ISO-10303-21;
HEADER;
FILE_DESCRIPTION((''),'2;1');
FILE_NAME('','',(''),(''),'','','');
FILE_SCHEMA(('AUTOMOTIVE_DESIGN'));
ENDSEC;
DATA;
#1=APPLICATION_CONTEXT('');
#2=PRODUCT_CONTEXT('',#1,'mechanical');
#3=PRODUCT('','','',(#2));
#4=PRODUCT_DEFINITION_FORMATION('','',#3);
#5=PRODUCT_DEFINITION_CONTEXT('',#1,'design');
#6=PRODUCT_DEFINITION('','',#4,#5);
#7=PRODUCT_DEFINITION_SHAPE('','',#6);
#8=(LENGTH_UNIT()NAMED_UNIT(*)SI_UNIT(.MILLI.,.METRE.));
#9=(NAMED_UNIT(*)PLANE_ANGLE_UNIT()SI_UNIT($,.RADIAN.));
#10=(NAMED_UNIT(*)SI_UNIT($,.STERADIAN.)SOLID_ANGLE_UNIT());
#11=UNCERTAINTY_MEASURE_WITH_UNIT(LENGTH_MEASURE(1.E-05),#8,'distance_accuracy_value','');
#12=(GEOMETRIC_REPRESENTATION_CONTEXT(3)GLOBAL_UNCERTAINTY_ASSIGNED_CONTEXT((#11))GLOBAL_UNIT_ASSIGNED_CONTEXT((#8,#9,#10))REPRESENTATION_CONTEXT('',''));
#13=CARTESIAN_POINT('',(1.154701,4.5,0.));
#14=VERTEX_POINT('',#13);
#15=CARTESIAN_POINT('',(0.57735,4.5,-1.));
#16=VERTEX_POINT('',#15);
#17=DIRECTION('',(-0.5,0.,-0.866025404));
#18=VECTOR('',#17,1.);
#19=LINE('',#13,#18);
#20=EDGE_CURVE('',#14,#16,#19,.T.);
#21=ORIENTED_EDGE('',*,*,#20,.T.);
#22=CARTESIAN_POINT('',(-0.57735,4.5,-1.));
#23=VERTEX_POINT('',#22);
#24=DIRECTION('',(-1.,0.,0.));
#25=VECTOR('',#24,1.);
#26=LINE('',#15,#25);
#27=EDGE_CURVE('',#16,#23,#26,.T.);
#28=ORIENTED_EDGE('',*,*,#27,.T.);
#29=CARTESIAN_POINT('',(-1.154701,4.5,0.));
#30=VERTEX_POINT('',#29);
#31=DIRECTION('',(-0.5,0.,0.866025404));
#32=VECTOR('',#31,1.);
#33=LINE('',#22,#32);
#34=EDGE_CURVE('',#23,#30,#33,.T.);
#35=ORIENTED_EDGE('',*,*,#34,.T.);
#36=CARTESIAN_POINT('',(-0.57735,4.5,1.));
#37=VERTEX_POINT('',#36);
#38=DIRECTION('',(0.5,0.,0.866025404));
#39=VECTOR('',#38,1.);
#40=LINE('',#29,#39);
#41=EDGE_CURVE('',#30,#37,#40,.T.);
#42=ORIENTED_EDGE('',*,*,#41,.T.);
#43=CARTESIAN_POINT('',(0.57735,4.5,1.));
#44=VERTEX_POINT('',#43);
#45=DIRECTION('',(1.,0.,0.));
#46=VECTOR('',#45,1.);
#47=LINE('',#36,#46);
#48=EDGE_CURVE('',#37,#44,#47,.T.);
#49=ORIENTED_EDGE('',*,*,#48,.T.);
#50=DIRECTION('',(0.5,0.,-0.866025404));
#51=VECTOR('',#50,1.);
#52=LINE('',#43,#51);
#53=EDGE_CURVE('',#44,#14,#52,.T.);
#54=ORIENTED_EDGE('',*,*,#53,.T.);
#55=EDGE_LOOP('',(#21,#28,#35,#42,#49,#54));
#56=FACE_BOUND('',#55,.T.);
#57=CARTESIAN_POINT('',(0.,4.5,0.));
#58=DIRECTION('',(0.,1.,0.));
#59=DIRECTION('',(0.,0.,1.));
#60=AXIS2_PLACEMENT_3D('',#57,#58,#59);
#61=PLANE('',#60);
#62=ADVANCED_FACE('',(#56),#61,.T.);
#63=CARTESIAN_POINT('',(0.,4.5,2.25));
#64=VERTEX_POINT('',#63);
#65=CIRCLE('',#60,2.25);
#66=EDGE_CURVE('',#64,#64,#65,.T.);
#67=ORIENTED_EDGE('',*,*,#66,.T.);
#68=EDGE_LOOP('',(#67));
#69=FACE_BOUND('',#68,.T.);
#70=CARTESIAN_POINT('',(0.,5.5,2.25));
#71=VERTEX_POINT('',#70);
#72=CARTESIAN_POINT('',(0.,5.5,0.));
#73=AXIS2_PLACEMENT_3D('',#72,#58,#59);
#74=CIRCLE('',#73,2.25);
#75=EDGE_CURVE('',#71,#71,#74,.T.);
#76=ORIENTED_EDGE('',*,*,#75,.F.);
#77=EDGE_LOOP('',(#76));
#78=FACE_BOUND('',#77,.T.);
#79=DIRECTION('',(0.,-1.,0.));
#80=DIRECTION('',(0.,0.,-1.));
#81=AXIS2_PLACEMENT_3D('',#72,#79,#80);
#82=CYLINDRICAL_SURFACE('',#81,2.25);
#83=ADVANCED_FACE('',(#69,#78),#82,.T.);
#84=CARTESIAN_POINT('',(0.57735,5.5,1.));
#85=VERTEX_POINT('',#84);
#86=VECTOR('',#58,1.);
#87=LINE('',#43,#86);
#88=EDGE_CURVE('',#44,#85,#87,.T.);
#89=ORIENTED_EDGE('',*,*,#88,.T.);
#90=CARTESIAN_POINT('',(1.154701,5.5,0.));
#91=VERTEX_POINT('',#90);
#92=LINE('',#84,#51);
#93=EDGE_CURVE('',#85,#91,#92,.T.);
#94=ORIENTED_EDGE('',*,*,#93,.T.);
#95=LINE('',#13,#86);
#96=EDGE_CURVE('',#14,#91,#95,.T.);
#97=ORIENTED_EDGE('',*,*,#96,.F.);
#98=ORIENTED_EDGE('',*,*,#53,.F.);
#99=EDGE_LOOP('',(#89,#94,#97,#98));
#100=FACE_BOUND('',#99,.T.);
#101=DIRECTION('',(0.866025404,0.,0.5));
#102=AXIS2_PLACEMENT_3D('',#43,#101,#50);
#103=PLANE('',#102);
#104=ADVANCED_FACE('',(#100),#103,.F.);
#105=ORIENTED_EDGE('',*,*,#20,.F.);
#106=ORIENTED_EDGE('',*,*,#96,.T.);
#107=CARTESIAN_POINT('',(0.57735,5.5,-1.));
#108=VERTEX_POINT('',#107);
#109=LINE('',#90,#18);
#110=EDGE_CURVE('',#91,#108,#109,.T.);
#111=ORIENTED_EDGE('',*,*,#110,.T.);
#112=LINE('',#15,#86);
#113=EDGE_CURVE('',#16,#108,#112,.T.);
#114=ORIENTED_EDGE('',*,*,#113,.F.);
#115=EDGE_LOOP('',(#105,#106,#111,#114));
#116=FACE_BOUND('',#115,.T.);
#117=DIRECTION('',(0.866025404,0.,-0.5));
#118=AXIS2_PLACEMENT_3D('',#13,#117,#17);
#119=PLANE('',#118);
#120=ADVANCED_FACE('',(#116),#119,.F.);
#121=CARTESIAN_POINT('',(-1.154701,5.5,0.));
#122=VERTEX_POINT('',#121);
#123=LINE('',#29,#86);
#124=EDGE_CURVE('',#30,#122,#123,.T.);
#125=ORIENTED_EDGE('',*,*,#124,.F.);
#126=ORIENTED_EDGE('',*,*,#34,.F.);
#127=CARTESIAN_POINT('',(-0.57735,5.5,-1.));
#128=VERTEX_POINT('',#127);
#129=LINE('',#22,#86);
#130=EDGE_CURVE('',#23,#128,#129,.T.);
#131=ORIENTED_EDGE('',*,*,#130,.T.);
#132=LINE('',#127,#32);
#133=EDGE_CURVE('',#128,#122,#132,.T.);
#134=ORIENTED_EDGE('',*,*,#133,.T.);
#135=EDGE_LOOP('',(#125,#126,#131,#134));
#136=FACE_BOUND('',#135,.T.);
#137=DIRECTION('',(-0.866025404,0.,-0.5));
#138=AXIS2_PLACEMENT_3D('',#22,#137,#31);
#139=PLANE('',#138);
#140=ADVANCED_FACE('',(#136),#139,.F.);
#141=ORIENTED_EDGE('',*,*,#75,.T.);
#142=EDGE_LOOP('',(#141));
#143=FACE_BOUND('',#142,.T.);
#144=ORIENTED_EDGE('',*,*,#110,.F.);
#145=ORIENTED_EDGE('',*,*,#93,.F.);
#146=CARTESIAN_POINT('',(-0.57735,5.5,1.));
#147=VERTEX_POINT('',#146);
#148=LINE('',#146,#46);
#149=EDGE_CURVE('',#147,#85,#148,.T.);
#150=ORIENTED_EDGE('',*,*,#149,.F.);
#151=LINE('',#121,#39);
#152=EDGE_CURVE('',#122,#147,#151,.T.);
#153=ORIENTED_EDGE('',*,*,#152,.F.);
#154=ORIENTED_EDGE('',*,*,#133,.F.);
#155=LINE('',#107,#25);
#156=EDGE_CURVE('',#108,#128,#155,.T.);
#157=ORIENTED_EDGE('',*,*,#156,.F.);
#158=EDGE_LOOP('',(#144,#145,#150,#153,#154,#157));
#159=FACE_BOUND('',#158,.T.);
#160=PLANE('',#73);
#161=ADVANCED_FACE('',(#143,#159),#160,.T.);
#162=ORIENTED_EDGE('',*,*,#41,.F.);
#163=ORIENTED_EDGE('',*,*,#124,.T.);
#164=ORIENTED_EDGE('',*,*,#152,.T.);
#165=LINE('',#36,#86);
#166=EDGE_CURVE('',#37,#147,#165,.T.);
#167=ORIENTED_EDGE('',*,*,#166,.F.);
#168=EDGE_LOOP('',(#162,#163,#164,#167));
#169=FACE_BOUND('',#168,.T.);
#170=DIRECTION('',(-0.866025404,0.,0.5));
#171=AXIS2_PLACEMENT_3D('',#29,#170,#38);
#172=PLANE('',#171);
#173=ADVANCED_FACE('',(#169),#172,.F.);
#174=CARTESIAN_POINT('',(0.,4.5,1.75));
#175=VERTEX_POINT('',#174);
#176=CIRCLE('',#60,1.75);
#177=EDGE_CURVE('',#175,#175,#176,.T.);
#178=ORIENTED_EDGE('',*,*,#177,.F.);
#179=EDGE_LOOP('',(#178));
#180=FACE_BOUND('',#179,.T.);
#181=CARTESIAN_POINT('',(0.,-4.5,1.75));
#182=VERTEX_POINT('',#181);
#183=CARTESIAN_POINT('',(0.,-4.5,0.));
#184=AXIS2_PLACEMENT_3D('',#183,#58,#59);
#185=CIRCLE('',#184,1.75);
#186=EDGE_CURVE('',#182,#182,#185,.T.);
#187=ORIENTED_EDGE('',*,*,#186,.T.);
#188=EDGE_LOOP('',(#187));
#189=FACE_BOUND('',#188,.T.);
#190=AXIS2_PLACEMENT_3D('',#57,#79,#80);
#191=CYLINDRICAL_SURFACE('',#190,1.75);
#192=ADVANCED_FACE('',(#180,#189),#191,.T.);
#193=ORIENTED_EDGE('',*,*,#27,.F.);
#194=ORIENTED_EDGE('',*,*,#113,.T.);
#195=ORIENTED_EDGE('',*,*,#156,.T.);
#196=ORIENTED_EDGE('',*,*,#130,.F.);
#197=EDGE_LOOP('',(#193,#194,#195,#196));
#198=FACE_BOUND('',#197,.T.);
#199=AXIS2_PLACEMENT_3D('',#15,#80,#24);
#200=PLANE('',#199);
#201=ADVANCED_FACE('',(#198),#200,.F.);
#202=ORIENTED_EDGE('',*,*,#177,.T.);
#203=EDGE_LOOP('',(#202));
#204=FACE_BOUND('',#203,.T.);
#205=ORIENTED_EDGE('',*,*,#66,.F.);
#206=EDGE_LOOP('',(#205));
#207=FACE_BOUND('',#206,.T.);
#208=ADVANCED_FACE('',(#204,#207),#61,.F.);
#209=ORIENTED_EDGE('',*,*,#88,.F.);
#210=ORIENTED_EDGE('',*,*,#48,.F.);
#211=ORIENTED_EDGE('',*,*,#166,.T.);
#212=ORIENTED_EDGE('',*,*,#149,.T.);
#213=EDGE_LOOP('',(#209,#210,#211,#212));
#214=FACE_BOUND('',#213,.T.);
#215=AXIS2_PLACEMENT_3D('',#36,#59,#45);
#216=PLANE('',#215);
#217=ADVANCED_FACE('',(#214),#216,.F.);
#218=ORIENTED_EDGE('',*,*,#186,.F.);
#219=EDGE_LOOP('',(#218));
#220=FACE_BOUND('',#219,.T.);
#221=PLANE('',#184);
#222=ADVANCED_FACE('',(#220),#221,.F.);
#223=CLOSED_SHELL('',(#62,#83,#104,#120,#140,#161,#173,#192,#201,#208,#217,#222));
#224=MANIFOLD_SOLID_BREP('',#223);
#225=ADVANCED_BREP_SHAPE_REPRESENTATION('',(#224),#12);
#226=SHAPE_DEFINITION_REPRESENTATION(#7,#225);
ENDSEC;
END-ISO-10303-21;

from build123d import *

# Parameters (mm, degrees)
SKETCH1_R           = 1.75
BOSS_EXTRUDE1_DEPTH = 4.5
SKETCH2_R           = 2.25
BOSS_EXTRUDE2_DEPTH = 1
CUT_EXTRUDE1_DEPTH  = 1


with BuildPart() as part:
    # Sketch1 → Boss-Extrude1 (new, symmetric)
    with BuildSketch(Plane(origin=(0, 0, 0), x_dir=(1, 0, 0), z_dir=(0, 1, 0))):
        with Locations(Location((0, 0, 0), (0, 0, 270))):
            Circle(SKETCH1_R)
    extrude(amount=BOSS_EXTRUDE1_DEPTH, both=True)

    # Sketch2 → Boss-Extrude2 (add)
    with BuildSketch(Plane(origin=(0, 4.5, 0), x_dir=(1, 0, 0), z_dir=(0, 1, 0))):
        with Locations(Location((0, 0, 0), (0, 0, 270))):
            Circle(SKETCH2_R)
    extrude(amount=BOSS_EXTRUDE2_DEPTH)

    # Sketch3 → Cut-Extrude1 (cut)
    with BuildSketch(Plane(origin=(0, 5.5, 0), x_dir=(1, 0, 0), z_dir=(0, 1, 0))):
        Polygon((1.154700538, 0), (0.577350269, 1), (-0.577350269, 1), (-1.154700538, 0), (-0.577350269, -1), (0.577350269, -1), align=None)
    extrude(amount=-CUT_EXTRUDE1_DEPTH, mode=Mode.SUBTRACT)


solid = part.part
